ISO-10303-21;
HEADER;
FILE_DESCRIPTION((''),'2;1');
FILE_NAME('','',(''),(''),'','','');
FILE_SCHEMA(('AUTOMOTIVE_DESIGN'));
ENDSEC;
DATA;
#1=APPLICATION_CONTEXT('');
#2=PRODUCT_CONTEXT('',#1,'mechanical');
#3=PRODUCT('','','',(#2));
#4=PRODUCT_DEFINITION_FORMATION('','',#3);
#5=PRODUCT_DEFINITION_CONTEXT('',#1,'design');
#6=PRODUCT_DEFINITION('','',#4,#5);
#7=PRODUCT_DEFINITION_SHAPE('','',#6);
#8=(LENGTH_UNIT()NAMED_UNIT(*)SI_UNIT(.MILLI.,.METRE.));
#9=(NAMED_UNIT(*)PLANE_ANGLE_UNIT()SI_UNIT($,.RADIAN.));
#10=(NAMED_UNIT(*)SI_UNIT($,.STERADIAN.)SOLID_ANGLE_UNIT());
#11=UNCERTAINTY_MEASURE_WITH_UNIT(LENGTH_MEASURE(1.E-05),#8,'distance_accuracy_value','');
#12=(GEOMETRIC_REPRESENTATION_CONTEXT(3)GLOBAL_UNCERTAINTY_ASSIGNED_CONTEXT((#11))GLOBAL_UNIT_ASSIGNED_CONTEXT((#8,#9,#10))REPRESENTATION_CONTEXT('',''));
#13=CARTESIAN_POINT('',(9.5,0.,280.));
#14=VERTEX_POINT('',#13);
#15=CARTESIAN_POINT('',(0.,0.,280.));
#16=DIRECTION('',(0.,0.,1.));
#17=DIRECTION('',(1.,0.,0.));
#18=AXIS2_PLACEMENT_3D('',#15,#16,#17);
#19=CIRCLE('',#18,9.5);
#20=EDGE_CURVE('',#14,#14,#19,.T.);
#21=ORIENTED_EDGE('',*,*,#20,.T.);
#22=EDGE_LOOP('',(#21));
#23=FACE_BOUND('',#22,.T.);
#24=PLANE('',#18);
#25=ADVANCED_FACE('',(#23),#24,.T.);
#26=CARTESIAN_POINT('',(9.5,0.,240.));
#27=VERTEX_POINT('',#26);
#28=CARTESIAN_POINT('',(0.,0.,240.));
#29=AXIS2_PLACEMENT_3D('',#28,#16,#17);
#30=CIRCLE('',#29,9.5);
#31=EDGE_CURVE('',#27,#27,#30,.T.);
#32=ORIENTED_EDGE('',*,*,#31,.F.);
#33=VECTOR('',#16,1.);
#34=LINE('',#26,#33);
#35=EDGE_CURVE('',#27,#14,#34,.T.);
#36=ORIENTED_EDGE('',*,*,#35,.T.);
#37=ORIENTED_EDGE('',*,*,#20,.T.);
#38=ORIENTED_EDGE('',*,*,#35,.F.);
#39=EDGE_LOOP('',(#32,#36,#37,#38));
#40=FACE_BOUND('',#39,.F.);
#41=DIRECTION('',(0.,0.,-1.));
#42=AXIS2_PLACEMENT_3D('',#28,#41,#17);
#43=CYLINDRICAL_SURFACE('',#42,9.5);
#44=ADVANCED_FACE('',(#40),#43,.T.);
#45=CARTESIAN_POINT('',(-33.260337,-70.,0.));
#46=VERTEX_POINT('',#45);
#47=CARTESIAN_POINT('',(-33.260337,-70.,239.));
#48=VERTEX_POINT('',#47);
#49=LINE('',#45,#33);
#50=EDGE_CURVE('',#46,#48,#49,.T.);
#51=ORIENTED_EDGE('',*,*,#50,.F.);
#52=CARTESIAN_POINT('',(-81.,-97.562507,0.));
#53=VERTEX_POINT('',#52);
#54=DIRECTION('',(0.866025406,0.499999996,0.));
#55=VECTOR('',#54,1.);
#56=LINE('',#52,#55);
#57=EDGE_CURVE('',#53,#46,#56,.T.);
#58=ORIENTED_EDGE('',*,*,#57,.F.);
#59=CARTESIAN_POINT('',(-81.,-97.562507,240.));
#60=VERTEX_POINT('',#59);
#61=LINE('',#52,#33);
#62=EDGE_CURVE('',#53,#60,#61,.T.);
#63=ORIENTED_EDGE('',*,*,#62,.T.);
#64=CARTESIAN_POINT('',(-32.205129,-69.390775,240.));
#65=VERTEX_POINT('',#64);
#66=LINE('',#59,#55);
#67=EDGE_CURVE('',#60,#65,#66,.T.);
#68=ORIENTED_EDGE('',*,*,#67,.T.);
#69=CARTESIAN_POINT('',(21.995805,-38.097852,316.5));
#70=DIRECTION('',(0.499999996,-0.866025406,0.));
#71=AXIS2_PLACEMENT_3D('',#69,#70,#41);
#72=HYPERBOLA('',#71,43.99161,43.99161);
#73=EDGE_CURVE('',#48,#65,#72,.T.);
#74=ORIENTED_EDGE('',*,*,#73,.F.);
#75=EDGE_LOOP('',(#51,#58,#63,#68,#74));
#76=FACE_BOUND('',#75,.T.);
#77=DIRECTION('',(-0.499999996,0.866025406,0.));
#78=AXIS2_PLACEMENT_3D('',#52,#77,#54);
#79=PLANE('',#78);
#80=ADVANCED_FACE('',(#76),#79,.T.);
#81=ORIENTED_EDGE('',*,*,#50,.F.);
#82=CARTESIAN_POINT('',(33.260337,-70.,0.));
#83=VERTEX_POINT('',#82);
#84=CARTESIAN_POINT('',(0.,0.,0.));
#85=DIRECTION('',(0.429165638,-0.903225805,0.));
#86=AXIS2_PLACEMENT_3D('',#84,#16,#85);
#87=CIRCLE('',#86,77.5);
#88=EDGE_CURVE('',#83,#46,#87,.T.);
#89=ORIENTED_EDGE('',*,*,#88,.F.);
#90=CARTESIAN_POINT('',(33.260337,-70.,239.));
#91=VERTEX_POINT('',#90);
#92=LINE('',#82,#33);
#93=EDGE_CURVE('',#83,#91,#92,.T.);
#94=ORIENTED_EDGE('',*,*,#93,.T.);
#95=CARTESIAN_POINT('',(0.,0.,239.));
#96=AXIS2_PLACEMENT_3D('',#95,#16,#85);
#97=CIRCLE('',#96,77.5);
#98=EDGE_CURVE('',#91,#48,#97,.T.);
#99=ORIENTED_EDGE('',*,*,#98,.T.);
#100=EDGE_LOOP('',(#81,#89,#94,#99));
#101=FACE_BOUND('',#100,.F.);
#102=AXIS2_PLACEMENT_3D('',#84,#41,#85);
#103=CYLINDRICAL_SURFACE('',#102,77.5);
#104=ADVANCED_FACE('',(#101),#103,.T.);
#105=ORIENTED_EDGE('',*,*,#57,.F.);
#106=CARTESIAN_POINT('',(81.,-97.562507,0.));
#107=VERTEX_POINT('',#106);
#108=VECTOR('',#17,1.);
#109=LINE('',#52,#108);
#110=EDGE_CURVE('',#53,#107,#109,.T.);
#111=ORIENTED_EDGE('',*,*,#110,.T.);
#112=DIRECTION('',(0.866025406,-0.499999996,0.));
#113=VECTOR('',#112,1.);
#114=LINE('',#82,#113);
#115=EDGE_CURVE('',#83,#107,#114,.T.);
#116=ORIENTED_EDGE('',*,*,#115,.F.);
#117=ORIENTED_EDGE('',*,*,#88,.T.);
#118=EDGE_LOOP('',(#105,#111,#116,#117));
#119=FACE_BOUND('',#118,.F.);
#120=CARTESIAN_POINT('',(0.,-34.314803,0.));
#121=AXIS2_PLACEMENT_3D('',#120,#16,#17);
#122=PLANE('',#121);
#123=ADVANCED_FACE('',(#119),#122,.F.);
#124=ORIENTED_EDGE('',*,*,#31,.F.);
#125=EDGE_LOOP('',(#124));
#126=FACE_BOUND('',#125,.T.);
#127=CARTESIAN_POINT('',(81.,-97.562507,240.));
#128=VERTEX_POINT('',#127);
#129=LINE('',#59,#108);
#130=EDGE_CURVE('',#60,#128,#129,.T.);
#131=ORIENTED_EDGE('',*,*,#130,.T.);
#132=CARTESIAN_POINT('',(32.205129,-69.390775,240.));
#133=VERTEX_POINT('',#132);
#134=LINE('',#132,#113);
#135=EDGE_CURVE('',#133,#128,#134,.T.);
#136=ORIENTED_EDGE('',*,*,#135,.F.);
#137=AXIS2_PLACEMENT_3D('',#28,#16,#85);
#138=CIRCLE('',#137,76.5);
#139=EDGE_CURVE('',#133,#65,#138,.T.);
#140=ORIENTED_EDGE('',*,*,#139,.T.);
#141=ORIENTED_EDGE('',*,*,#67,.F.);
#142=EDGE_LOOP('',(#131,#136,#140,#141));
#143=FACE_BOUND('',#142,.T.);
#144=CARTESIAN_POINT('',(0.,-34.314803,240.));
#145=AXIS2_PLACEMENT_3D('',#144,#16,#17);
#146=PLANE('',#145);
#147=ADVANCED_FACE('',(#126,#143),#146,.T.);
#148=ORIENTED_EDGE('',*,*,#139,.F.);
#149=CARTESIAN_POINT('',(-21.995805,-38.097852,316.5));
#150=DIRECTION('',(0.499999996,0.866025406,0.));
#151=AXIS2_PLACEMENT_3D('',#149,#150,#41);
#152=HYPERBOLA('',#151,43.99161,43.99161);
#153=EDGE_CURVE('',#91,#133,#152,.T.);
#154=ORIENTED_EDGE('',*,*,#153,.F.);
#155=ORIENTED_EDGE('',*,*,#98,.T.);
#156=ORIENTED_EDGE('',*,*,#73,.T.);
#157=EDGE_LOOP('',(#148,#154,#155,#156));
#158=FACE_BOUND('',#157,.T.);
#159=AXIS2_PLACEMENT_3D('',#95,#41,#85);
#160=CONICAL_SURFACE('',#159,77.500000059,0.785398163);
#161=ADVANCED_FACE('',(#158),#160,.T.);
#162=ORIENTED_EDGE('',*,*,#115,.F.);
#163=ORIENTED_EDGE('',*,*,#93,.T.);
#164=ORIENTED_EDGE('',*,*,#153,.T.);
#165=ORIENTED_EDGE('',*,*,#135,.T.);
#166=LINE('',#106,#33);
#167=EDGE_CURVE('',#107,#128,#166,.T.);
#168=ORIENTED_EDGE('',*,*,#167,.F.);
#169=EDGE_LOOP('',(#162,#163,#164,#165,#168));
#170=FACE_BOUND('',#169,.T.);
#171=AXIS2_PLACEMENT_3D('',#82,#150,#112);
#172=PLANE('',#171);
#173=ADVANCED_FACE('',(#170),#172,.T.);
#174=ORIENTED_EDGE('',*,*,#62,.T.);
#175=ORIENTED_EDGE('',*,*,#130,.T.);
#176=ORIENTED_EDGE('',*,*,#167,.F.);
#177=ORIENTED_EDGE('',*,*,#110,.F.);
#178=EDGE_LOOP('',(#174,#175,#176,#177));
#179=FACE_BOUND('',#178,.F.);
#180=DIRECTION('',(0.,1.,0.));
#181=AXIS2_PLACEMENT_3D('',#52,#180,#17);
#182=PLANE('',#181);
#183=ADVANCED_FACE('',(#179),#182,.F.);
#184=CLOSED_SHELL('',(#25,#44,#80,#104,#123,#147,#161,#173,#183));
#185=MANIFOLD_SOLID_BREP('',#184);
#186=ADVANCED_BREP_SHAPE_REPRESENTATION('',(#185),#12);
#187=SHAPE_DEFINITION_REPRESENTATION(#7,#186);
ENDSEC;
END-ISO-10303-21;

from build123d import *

# Parameters (mm, degrees)
PAD_DEPTH    = 240
SKETCH001_R  = 9.5
PAD001_DEPTH = 40
CHAMFER_SIZE = 1


with BuildPart() as part:
    # Sketch → Pad (new body)
    with BuildSketch(Plane.XY):
        with BuildLine():
            ThreePointArc((33.260337, -70), (0, 77.5), (-33.260337, -70))
            Line((-81, -97.562507), (-33.260337, -70))
            Line((-81, -97.562507), (81, -97.562507))
            Line((33.260337, -70), (81, -97.562507))
        make_face()
    extrude(amount=PAD_DEPTH)

    # Sketch001 (on Face6 of Pad) → Pad001 (join)
    with BuildSketch(Plane.XY.offset(240)):
        Circle(SKETCH001_R)
    extrude(amount=PAD001_DEPTH)

    # Chamfer
    chamfer_edges = [part.edges().sort_by_distance(p)[0] for p in [
        (0, 77.5, 240),
    ]]
    chamfer(chamfer_edges, length=CHAMFER_SIZE)


solid = part.part
